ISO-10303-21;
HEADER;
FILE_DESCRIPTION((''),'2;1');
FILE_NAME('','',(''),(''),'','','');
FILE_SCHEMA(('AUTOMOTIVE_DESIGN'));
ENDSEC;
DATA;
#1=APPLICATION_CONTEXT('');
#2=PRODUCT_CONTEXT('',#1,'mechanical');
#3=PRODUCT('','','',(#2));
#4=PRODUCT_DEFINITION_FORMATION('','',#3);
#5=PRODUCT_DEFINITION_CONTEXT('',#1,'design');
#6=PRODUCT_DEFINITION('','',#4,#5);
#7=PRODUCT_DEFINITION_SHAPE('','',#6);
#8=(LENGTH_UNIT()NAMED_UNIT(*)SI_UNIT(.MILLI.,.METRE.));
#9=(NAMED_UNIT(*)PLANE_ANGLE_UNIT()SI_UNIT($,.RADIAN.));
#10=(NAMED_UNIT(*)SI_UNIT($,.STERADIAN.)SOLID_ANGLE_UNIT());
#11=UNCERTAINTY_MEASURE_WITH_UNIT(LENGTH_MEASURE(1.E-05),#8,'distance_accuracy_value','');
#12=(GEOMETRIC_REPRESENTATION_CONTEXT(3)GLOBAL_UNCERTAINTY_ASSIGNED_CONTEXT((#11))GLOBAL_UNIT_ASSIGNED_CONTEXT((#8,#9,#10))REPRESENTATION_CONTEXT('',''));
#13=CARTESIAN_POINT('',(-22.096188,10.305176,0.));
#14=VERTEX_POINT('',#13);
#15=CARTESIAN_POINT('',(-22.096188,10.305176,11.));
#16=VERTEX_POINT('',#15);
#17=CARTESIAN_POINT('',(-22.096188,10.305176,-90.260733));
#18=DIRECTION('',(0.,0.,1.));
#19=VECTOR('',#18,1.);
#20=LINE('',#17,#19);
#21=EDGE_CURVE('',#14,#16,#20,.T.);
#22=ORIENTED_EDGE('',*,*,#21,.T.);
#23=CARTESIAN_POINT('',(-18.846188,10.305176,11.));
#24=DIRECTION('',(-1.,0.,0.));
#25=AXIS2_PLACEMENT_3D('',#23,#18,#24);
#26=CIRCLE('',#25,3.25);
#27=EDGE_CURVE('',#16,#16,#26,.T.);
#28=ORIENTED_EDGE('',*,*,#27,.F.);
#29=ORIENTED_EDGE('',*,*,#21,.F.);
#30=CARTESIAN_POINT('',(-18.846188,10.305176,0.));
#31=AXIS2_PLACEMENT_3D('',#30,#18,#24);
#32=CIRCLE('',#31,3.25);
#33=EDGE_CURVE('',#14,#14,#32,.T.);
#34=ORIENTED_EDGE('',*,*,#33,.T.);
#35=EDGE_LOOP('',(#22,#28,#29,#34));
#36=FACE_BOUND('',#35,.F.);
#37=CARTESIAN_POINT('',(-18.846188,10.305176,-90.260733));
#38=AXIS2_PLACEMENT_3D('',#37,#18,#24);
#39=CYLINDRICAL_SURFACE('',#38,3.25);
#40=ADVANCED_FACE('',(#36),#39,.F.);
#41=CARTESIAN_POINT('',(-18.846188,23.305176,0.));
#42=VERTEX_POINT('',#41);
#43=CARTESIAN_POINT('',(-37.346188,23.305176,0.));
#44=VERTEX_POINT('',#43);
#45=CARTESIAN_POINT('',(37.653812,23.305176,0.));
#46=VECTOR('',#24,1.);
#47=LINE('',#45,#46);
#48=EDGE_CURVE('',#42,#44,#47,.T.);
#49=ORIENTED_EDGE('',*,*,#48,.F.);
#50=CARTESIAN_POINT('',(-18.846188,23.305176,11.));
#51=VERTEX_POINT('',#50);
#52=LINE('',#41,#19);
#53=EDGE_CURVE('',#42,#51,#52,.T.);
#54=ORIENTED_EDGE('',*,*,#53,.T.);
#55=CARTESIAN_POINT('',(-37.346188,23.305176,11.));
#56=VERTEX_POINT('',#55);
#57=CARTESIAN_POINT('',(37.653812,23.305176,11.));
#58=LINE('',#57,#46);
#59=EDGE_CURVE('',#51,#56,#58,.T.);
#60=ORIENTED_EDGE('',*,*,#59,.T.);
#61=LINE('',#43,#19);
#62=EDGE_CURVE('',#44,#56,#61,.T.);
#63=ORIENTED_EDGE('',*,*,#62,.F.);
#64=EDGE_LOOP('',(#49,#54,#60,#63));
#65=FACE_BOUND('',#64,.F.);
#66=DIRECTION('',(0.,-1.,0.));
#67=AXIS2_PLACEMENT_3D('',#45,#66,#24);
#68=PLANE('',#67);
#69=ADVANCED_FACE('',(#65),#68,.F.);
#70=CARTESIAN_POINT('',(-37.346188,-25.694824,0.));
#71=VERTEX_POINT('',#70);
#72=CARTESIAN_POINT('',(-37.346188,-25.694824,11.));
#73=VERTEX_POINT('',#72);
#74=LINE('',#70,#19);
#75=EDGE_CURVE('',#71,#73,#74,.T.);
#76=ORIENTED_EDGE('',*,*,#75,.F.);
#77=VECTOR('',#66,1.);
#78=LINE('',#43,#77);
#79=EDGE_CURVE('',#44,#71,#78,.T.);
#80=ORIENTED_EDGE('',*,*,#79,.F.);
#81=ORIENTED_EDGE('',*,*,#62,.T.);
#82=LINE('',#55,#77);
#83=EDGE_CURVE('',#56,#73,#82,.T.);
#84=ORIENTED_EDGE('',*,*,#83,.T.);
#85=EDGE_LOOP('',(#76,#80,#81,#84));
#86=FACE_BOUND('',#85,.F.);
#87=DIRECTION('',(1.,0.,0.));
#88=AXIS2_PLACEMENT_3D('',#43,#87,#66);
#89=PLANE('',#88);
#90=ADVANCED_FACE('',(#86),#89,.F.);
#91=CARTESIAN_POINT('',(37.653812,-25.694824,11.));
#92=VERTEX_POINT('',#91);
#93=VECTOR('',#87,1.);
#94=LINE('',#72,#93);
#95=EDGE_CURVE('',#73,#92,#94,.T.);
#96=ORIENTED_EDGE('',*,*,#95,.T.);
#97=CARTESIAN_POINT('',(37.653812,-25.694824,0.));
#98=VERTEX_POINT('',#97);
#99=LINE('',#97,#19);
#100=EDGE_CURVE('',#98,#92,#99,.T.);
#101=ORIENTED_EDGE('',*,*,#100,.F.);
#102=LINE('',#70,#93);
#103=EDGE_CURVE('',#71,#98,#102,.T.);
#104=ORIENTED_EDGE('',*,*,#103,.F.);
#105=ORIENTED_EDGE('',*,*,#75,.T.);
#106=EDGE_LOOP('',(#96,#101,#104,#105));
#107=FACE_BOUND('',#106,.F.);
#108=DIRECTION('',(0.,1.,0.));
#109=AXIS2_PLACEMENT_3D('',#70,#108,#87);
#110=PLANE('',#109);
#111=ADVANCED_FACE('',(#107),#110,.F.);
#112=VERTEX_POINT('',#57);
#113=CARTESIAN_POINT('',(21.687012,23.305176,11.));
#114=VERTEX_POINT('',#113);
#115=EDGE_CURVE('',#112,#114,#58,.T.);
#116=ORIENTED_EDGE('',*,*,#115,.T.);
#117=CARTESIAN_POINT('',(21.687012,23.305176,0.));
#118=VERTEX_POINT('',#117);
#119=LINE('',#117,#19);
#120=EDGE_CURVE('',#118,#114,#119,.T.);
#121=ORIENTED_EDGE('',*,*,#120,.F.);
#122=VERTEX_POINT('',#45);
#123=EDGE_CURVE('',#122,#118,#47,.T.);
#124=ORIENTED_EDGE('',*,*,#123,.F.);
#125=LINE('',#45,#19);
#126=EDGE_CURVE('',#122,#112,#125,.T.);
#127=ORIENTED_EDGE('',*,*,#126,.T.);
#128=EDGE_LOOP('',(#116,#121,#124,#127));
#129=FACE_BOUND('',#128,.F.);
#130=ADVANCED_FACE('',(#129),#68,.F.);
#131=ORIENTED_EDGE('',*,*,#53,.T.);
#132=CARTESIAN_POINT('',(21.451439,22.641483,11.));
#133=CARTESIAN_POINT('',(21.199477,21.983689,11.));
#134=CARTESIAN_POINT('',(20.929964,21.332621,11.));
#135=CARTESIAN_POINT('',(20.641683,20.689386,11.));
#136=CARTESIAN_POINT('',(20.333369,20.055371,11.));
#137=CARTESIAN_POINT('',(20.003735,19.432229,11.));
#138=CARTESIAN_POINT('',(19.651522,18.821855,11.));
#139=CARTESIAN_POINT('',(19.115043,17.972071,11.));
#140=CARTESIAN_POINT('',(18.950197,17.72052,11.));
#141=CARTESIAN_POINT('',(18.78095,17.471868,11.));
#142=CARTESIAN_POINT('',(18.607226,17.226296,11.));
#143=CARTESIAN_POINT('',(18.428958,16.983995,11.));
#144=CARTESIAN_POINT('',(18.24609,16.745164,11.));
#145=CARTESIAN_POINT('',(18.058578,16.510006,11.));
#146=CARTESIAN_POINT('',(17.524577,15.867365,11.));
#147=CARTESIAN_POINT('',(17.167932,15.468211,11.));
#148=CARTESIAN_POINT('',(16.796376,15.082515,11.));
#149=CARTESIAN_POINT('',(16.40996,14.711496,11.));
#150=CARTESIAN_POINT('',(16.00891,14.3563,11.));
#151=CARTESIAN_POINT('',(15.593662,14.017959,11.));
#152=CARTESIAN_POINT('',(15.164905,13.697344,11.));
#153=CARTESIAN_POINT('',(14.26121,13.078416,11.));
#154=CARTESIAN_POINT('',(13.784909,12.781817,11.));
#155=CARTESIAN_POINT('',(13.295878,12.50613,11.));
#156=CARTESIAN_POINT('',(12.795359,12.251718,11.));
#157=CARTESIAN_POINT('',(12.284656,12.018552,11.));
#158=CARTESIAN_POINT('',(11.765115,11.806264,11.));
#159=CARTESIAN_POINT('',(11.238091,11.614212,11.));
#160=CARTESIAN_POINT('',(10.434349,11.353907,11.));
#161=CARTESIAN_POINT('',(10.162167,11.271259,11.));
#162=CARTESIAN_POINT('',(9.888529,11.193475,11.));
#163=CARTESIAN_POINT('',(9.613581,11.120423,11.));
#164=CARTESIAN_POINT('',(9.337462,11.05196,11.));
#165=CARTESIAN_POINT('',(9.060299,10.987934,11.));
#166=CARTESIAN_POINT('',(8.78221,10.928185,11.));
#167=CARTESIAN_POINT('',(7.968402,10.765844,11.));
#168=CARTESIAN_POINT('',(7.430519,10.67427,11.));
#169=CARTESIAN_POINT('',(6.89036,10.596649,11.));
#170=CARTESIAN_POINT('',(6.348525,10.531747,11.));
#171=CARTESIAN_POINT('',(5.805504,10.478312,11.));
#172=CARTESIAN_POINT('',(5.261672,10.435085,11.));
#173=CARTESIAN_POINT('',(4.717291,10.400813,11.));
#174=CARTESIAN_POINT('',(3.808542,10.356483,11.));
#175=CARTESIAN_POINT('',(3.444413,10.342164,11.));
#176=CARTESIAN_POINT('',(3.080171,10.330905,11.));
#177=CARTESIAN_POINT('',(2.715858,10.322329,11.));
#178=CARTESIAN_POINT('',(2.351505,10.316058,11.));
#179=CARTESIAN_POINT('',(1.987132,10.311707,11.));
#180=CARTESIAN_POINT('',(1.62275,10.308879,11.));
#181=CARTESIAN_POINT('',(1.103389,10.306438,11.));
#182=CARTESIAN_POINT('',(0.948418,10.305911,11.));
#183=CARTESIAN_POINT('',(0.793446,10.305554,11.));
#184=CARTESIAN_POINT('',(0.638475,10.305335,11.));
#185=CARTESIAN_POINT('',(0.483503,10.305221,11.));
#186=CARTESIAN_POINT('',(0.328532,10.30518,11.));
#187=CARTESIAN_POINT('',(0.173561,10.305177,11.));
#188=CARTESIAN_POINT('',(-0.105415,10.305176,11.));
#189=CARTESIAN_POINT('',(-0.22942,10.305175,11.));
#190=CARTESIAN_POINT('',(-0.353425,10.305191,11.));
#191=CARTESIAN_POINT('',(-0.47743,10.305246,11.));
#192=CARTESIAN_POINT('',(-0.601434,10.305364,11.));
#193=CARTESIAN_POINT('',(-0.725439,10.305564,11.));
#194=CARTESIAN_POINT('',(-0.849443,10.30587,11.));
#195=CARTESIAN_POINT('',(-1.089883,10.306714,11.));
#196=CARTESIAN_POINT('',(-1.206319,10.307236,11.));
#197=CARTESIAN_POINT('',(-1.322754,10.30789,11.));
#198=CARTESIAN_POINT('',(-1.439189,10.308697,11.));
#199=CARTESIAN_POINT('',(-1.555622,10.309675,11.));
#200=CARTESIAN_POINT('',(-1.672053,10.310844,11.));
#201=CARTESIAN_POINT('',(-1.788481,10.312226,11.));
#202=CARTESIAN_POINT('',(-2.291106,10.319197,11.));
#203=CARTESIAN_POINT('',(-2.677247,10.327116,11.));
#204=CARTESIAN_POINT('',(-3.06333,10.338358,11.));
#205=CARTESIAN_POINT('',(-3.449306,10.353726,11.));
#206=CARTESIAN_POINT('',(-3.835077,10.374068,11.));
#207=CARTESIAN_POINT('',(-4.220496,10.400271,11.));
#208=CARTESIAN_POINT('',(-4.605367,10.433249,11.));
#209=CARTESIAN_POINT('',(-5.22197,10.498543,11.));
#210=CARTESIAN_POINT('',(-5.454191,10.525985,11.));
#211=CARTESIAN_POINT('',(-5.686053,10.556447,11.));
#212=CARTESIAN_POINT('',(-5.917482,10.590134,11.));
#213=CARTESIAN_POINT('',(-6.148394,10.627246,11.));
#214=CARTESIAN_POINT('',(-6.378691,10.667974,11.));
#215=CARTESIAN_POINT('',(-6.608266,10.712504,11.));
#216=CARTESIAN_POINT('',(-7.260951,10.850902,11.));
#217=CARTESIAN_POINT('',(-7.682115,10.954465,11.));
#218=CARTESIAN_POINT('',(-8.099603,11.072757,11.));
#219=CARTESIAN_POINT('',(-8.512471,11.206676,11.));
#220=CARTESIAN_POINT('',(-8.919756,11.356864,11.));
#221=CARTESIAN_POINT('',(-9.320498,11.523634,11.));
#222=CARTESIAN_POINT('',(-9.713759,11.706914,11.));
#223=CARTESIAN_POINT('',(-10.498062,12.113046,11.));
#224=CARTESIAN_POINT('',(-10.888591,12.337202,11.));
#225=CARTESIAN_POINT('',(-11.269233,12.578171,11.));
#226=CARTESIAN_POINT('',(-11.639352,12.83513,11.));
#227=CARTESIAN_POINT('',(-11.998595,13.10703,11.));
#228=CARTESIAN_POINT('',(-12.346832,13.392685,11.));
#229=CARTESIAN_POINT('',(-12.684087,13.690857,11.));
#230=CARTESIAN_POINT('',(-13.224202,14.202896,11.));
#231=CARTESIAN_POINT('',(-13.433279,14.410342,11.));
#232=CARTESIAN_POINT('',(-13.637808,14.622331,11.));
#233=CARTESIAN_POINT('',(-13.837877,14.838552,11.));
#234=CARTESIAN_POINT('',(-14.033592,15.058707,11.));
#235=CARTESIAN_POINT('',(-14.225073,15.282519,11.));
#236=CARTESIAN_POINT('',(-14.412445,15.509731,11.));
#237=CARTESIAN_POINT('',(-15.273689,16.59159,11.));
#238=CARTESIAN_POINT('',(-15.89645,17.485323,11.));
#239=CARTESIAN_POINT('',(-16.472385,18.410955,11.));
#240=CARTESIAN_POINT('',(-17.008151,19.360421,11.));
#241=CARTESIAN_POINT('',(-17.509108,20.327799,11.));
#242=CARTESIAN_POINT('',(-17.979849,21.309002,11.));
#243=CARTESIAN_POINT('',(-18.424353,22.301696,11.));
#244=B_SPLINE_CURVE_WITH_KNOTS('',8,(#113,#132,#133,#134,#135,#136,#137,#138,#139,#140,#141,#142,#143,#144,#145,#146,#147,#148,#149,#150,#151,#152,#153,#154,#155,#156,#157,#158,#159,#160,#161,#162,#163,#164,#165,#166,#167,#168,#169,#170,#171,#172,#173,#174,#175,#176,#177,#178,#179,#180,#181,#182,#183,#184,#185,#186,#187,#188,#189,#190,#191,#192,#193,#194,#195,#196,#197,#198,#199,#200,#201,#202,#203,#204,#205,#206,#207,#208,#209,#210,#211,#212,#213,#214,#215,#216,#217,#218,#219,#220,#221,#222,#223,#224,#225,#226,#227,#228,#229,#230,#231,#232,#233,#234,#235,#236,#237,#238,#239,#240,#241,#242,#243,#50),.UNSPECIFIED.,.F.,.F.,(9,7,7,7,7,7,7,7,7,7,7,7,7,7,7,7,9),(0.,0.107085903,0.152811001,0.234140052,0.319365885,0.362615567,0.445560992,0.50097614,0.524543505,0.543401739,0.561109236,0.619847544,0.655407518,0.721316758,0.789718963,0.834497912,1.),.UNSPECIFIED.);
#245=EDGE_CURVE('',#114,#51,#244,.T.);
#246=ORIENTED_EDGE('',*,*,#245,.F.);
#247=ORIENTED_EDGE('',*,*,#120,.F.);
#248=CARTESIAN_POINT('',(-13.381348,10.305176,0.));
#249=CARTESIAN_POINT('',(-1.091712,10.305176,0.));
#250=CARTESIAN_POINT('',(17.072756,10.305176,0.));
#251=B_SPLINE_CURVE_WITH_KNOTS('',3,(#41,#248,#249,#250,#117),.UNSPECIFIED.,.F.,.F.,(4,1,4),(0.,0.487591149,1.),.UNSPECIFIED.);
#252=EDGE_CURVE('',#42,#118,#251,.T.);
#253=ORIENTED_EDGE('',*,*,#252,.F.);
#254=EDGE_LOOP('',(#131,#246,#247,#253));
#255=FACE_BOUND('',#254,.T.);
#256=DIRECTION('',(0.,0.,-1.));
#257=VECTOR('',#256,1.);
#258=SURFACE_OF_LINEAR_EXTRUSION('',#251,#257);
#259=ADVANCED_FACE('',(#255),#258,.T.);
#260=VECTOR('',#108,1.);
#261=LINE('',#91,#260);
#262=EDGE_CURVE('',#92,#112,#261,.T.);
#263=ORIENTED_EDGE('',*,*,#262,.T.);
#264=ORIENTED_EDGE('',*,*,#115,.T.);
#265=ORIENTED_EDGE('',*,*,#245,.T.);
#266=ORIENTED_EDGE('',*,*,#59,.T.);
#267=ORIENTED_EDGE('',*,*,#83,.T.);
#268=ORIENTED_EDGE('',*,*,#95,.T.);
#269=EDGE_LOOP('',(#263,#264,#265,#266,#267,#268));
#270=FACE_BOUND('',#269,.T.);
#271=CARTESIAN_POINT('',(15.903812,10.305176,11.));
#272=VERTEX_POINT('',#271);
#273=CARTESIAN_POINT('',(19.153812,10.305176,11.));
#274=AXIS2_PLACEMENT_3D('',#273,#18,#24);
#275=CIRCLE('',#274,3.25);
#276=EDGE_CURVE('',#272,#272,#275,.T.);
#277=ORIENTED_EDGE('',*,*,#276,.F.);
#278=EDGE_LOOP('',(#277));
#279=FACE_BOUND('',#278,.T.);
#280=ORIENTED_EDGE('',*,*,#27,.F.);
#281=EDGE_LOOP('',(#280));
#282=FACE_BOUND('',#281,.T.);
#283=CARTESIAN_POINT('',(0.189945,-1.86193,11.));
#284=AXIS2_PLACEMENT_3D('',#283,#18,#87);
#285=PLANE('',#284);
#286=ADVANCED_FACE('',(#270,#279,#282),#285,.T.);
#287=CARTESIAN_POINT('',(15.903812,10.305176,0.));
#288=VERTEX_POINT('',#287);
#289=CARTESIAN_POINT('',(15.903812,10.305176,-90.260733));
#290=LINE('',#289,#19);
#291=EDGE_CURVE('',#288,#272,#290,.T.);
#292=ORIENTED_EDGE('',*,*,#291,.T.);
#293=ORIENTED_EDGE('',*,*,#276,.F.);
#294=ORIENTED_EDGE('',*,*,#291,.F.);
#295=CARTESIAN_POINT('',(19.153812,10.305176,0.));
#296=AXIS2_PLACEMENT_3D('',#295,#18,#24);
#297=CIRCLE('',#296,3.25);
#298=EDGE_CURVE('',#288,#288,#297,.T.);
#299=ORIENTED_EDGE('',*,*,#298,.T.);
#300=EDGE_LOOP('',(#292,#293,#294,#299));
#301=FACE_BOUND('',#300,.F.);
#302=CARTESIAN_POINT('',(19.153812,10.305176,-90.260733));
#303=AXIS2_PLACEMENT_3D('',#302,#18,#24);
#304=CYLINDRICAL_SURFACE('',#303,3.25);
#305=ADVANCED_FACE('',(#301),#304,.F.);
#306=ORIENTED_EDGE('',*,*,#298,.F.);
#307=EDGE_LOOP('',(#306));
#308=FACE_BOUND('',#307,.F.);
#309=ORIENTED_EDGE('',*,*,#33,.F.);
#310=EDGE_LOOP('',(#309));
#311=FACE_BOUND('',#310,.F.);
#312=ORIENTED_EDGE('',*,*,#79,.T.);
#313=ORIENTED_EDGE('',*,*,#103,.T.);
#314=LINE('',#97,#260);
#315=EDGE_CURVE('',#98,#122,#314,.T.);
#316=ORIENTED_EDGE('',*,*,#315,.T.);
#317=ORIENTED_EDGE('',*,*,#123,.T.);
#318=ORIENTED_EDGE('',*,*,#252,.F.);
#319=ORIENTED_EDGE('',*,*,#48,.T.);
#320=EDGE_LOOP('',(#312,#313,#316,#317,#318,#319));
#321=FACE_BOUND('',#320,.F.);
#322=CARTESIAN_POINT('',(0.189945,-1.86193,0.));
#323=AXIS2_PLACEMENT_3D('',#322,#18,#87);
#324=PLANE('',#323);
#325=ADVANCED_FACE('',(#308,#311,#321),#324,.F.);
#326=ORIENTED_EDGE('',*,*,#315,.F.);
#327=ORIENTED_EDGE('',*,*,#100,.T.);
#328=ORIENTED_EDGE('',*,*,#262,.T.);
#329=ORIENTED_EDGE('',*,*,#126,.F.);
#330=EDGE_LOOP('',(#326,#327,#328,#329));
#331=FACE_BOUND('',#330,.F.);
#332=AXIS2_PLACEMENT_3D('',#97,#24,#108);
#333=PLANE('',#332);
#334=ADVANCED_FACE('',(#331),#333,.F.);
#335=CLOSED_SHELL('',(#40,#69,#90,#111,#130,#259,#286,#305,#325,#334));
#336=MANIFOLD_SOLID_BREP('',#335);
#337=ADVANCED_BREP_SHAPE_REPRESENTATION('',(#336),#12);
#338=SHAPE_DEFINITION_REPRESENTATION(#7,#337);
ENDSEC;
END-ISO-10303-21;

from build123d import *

# Parameters (mm, degrees)
F1_DEPTH = 11
F2_D     = 6.5
F3_DEPTH = 38.9


with BuildPart() as f1:
    # F0 (on Top) → F1 (new body)
    with BuildSketch(Plane.XY):
        with BuildLine():
            Line((-37.3461883515, 23.3051764891), (-37.3461883515, -25.6948235109))
            Line((-37.3461883515, -25.6948235109), (37.6538116485, -25.6948235109))
            Line((37.6538116485, -25.6948235109), (37.6538116485, 23.3051764891))
            Line((37.6538116485, 23.3051764891), (21.6870121658, 23.3051764891))
            add(Edge.make_bspline(
                [(-18.8461883515, 23.3051764891), (-13.3813479915, 10.3051764891), (-1.0917122471, 10.3051764891), (17.0727558434, 10.3051764891), (21.6870121658, 23.3051764891)],
                knots=[0, 0, 0, 0, 0.4875911488, 1, 1, 1, 1], degree=3))
            Line((-18.8461883515, 23.3051764891), (-37.3461883515, 23.3051764891))
        make_face()
        with BuildLine():
            Line((21.6870121658, 23.3051764891), (-18.8461883515, 23.3051764891))
            add(Edge.make_bspline(
                [(-18.8461883515, 23.3051764891), (-13.3813479915, 10.3051764891), (-1.0917122471, 10.3051764891), (17.0727558434, 10.3051764891), (21.6870121658, 23.3051764891)],
                knots=[0, 0, 0, 0, 0.4875911488, 1, 1, 1, 1], degree=3))
        make_face()
    extrude(amount=F1_DEPTH)

    # F2 (through all)
    with Locations(Plane(origin=(0, 0, 0), x_dir=(1, 0, 0), z_dir=(0, 0, -1))):
        with Locations((19.1538116485, -10.3051764891), (-18.8461883515, -10.3051764891)):
            Hole(F2_D / 2)

    # F0 (on Top) → F3 (cut)
    with BuildSketch(Plane.XY):
        with BuildLine():
            Line((21.6870121658, 23.3051764891), (-18.8461883515, 23.3051764891))
            add(Edge.make_bspline(
                [(-18.8461883515, 23.3051764891), (-13.3813479915, 10.3051764891), (-1.0917122471, 10.3051764891), (17.0727558434, 10.3051764891), (21.6870121658, 23.3051764891)],
                knots=[0, 0, 0, 0, 0.4875911488, 1, 1, 1, 1], degree=3))
        make_face()
    extrude(amount=F3_DEPTH, mode=Mode.SUBTRACT)


solid = f1.part
